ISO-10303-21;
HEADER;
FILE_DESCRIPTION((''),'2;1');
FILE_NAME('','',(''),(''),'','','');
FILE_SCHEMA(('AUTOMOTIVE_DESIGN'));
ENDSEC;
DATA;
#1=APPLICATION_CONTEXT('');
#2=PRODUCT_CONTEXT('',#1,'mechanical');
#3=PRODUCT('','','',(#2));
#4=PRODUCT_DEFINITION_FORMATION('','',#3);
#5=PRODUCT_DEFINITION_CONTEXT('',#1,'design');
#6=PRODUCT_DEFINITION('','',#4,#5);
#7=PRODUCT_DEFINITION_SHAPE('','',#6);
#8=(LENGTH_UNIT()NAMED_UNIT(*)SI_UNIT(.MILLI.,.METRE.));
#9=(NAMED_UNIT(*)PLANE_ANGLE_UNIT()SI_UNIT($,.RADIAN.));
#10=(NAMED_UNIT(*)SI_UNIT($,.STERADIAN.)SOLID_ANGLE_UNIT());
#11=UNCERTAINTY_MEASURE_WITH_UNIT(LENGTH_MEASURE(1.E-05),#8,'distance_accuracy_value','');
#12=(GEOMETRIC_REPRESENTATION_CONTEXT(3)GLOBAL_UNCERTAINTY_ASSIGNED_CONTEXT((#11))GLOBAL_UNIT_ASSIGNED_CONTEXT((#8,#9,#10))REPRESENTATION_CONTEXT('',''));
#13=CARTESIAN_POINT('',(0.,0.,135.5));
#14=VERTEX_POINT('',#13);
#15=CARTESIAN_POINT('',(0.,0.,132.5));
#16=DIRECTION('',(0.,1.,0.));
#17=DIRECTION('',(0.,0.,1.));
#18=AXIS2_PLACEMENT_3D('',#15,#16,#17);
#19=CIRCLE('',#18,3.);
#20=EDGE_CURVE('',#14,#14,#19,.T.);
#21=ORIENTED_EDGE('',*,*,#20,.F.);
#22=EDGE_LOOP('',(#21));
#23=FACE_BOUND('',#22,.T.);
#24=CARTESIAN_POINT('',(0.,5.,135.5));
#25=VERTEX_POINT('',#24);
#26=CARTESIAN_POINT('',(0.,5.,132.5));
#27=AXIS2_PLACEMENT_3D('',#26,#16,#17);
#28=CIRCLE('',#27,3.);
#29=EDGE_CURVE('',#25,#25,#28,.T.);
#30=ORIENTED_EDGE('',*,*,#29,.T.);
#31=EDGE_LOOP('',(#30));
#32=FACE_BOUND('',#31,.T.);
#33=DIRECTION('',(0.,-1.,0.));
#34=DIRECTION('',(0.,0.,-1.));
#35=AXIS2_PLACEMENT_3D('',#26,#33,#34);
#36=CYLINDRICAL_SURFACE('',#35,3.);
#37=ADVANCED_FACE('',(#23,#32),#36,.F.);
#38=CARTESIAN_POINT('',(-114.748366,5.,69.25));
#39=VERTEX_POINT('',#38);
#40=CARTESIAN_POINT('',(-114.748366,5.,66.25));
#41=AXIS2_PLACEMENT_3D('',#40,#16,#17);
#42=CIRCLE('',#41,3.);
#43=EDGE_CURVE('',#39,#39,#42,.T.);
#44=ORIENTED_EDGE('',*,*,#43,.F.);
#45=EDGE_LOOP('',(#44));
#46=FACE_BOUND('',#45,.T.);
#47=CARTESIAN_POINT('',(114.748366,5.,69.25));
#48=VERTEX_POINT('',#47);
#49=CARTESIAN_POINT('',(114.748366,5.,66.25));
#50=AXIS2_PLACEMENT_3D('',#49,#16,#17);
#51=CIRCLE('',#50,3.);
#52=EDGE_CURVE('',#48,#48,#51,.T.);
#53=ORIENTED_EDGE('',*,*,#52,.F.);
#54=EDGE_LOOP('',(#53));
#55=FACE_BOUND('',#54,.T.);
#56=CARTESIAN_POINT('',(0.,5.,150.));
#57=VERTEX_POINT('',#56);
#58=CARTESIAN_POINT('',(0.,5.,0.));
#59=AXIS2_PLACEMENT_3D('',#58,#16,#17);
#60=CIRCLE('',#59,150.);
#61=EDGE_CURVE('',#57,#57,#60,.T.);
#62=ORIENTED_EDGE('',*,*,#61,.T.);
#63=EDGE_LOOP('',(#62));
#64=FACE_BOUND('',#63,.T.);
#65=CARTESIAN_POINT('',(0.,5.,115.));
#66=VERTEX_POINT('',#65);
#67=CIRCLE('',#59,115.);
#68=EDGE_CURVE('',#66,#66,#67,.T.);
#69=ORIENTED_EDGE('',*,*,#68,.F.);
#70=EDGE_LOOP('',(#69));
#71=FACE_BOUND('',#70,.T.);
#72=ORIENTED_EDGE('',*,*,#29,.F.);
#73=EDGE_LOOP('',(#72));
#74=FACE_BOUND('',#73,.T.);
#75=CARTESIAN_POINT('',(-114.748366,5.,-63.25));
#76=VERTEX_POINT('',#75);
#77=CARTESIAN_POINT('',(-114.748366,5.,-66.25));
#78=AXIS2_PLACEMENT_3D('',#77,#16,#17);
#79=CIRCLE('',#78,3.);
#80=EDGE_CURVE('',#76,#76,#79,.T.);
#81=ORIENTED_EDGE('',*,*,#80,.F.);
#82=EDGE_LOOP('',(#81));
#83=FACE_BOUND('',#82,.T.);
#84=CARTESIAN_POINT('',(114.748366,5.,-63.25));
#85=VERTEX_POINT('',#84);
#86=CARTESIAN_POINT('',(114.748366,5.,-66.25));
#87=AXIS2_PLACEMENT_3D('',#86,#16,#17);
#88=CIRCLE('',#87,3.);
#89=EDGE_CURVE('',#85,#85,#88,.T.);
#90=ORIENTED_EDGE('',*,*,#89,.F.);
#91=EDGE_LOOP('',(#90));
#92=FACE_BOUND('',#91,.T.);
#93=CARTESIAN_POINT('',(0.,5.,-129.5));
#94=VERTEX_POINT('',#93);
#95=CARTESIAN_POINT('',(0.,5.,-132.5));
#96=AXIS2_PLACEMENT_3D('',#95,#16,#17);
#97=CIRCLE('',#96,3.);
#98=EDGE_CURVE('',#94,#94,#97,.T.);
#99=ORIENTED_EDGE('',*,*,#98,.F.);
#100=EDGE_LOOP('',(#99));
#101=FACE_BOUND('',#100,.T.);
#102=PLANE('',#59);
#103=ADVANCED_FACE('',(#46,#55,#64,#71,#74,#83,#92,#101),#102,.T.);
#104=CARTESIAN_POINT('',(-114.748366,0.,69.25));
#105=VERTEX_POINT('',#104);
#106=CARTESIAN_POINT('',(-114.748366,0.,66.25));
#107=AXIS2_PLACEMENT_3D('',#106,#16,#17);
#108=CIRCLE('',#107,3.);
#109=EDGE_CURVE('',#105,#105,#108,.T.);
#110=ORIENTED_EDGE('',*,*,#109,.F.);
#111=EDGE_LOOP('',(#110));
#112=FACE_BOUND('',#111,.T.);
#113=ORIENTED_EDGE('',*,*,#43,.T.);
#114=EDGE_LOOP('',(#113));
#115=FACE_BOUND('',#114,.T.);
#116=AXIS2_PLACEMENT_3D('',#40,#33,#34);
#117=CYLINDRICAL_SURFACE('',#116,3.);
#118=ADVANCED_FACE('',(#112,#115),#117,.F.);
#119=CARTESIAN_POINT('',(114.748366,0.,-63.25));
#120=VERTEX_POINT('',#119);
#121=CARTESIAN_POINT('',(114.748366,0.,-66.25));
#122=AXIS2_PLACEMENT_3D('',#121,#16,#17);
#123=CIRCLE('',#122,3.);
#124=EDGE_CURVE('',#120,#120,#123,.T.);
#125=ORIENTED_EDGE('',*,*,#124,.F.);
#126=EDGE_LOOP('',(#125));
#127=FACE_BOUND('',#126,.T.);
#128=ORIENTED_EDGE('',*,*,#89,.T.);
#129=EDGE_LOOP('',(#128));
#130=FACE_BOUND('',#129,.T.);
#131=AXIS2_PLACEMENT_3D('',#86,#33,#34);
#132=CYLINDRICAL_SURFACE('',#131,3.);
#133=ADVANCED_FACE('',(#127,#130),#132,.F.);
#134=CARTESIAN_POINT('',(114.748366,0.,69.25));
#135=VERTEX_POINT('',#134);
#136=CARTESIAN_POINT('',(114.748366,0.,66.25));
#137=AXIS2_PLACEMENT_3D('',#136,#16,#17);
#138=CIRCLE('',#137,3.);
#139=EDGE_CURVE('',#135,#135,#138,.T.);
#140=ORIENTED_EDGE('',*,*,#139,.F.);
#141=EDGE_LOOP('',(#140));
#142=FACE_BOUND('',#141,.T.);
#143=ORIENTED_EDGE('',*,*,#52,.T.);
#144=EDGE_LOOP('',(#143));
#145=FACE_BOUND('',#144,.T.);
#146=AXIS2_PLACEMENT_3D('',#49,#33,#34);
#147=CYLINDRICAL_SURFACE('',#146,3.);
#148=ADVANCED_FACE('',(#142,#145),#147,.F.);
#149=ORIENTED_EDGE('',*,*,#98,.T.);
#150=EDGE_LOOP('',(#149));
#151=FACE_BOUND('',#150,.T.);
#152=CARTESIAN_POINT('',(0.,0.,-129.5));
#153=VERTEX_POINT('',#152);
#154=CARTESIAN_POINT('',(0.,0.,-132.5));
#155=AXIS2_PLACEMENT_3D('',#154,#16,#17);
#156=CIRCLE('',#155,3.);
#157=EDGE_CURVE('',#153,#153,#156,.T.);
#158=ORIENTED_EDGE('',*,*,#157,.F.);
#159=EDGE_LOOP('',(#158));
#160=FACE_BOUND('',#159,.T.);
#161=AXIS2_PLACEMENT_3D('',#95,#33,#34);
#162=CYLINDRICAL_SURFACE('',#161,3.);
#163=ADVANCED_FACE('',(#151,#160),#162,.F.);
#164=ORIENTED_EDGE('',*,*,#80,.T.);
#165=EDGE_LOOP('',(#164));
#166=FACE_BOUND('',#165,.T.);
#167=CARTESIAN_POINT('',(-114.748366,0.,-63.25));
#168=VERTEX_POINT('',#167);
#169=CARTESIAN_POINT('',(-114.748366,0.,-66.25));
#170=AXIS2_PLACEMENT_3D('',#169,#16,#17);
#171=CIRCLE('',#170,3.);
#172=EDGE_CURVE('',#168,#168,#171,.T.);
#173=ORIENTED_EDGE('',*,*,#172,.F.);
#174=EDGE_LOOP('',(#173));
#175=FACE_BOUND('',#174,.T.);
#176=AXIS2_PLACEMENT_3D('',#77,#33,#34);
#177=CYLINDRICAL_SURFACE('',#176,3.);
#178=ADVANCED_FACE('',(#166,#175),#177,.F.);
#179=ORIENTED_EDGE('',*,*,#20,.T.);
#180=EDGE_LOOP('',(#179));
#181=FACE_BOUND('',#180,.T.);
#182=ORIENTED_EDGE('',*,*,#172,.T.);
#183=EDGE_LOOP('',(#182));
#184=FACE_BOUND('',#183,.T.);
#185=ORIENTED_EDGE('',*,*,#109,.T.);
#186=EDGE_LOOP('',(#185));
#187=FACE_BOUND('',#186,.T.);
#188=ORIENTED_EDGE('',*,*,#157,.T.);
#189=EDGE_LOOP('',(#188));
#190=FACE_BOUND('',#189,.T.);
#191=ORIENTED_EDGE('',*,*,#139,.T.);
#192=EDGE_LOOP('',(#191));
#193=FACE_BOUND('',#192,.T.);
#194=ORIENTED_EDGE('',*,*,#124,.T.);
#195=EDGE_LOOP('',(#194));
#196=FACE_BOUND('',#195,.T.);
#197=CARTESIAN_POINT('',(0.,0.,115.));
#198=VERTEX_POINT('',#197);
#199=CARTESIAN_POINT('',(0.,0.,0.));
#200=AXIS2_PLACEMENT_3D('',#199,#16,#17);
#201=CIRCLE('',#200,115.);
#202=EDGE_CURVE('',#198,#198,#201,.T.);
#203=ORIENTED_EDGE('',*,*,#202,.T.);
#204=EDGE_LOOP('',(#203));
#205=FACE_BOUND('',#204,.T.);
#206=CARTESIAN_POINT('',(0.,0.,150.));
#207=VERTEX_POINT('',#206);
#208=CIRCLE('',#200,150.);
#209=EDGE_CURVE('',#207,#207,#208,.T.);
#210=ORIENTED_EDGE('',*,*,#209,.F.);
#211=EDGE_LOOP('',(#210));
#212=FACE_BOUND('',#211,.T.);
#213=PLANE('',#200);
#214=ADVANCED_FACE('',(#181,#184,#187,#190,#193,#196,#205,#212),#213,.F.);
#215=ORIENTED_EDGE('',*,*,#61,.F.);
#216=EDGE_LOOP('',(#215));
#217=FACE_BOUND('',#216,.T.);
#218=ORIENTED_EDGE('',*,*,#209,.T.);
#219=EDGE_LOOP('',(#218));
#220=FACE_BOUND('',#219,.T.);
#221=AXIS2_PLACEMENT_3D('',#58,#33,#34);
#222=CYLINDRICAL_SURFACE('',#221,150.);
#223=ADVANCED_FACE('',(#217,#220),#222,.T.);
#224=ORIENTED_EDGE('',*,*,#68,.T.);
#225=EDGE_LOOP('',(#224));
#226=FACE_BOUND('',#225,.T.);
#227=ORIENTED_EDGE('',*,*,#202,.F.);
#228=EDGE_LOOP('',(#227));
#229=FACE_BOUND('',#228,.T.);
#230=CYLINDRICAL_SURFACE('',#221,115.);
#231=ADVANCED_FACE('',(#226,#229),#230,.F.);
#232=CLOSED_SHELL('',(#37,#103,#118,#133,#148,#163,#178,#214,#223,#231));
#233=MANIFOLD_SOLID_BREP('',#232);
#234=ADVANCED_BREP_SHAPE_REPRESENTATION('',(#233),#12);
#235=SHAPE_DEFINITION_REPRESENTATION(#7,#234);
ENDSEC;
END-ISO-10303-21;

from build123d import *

# Parameters (mm, degrees)
SKETCH1_R           = 150
SKETCH1_R_2         = 115
SKETCH1_R_3         = 3
BOSS_EXTRUDE1_DEPTH = 5


with BuildPart() as part:
    # Sketch1 → Boss-Extrude1 (new body)
    with BuildSketch(Plane(origin=(0, 0, 0), x_dir=(1, 0, 0), z_dir=(0, 1, 0))):
        with Locations(Location((0, 0, 0), (0, 0, 270))):
            Circle(SKETCH1_R)
        with Locations(Location((0, 0, 0), (0, 0, 270))):
            Circle(SKETCH1_R_2, mode=Mode.SUBTRACT)
        with Locations(Location((0, 132.5, 0), (0, 0, 270))):
            Circle(SKETCH1_R_3, mode=Mode.SUBTRACT)
        with Locations(Location((114.748366001, 66.25, 0), (0, 0, 270))):
            Circle(SKETCH1_R_3, mode=Mode.SUBTRACT)
        with Locations(Location((114.748366001, -66.25, 0), (0, 0, 270))):
            Circle(SKETCH1_R_3, mode=Mode.SUBTRACT)
        with Locations(Location((0, -132.5, 0), (0, 0, 270))):
            Circle(SKETCH1_R_3, mode=Mode.SUBTRACT)
        with Locations(Location((-114.748366001, -66.25, 0), (0, 0, 270))):
            Circle(SKETCH1_R_3, mode=Mode.SUBTRACT)
        with Locations(Location((-114.748366001, 66.25, 0), (0, 0, 270))):
            Circle(SKETCH1_R_3, mode=Mode.SUBTRACT)
    extrude(amount=BOSS_EXTRUDE1_DEPTH)


solid = part.part
